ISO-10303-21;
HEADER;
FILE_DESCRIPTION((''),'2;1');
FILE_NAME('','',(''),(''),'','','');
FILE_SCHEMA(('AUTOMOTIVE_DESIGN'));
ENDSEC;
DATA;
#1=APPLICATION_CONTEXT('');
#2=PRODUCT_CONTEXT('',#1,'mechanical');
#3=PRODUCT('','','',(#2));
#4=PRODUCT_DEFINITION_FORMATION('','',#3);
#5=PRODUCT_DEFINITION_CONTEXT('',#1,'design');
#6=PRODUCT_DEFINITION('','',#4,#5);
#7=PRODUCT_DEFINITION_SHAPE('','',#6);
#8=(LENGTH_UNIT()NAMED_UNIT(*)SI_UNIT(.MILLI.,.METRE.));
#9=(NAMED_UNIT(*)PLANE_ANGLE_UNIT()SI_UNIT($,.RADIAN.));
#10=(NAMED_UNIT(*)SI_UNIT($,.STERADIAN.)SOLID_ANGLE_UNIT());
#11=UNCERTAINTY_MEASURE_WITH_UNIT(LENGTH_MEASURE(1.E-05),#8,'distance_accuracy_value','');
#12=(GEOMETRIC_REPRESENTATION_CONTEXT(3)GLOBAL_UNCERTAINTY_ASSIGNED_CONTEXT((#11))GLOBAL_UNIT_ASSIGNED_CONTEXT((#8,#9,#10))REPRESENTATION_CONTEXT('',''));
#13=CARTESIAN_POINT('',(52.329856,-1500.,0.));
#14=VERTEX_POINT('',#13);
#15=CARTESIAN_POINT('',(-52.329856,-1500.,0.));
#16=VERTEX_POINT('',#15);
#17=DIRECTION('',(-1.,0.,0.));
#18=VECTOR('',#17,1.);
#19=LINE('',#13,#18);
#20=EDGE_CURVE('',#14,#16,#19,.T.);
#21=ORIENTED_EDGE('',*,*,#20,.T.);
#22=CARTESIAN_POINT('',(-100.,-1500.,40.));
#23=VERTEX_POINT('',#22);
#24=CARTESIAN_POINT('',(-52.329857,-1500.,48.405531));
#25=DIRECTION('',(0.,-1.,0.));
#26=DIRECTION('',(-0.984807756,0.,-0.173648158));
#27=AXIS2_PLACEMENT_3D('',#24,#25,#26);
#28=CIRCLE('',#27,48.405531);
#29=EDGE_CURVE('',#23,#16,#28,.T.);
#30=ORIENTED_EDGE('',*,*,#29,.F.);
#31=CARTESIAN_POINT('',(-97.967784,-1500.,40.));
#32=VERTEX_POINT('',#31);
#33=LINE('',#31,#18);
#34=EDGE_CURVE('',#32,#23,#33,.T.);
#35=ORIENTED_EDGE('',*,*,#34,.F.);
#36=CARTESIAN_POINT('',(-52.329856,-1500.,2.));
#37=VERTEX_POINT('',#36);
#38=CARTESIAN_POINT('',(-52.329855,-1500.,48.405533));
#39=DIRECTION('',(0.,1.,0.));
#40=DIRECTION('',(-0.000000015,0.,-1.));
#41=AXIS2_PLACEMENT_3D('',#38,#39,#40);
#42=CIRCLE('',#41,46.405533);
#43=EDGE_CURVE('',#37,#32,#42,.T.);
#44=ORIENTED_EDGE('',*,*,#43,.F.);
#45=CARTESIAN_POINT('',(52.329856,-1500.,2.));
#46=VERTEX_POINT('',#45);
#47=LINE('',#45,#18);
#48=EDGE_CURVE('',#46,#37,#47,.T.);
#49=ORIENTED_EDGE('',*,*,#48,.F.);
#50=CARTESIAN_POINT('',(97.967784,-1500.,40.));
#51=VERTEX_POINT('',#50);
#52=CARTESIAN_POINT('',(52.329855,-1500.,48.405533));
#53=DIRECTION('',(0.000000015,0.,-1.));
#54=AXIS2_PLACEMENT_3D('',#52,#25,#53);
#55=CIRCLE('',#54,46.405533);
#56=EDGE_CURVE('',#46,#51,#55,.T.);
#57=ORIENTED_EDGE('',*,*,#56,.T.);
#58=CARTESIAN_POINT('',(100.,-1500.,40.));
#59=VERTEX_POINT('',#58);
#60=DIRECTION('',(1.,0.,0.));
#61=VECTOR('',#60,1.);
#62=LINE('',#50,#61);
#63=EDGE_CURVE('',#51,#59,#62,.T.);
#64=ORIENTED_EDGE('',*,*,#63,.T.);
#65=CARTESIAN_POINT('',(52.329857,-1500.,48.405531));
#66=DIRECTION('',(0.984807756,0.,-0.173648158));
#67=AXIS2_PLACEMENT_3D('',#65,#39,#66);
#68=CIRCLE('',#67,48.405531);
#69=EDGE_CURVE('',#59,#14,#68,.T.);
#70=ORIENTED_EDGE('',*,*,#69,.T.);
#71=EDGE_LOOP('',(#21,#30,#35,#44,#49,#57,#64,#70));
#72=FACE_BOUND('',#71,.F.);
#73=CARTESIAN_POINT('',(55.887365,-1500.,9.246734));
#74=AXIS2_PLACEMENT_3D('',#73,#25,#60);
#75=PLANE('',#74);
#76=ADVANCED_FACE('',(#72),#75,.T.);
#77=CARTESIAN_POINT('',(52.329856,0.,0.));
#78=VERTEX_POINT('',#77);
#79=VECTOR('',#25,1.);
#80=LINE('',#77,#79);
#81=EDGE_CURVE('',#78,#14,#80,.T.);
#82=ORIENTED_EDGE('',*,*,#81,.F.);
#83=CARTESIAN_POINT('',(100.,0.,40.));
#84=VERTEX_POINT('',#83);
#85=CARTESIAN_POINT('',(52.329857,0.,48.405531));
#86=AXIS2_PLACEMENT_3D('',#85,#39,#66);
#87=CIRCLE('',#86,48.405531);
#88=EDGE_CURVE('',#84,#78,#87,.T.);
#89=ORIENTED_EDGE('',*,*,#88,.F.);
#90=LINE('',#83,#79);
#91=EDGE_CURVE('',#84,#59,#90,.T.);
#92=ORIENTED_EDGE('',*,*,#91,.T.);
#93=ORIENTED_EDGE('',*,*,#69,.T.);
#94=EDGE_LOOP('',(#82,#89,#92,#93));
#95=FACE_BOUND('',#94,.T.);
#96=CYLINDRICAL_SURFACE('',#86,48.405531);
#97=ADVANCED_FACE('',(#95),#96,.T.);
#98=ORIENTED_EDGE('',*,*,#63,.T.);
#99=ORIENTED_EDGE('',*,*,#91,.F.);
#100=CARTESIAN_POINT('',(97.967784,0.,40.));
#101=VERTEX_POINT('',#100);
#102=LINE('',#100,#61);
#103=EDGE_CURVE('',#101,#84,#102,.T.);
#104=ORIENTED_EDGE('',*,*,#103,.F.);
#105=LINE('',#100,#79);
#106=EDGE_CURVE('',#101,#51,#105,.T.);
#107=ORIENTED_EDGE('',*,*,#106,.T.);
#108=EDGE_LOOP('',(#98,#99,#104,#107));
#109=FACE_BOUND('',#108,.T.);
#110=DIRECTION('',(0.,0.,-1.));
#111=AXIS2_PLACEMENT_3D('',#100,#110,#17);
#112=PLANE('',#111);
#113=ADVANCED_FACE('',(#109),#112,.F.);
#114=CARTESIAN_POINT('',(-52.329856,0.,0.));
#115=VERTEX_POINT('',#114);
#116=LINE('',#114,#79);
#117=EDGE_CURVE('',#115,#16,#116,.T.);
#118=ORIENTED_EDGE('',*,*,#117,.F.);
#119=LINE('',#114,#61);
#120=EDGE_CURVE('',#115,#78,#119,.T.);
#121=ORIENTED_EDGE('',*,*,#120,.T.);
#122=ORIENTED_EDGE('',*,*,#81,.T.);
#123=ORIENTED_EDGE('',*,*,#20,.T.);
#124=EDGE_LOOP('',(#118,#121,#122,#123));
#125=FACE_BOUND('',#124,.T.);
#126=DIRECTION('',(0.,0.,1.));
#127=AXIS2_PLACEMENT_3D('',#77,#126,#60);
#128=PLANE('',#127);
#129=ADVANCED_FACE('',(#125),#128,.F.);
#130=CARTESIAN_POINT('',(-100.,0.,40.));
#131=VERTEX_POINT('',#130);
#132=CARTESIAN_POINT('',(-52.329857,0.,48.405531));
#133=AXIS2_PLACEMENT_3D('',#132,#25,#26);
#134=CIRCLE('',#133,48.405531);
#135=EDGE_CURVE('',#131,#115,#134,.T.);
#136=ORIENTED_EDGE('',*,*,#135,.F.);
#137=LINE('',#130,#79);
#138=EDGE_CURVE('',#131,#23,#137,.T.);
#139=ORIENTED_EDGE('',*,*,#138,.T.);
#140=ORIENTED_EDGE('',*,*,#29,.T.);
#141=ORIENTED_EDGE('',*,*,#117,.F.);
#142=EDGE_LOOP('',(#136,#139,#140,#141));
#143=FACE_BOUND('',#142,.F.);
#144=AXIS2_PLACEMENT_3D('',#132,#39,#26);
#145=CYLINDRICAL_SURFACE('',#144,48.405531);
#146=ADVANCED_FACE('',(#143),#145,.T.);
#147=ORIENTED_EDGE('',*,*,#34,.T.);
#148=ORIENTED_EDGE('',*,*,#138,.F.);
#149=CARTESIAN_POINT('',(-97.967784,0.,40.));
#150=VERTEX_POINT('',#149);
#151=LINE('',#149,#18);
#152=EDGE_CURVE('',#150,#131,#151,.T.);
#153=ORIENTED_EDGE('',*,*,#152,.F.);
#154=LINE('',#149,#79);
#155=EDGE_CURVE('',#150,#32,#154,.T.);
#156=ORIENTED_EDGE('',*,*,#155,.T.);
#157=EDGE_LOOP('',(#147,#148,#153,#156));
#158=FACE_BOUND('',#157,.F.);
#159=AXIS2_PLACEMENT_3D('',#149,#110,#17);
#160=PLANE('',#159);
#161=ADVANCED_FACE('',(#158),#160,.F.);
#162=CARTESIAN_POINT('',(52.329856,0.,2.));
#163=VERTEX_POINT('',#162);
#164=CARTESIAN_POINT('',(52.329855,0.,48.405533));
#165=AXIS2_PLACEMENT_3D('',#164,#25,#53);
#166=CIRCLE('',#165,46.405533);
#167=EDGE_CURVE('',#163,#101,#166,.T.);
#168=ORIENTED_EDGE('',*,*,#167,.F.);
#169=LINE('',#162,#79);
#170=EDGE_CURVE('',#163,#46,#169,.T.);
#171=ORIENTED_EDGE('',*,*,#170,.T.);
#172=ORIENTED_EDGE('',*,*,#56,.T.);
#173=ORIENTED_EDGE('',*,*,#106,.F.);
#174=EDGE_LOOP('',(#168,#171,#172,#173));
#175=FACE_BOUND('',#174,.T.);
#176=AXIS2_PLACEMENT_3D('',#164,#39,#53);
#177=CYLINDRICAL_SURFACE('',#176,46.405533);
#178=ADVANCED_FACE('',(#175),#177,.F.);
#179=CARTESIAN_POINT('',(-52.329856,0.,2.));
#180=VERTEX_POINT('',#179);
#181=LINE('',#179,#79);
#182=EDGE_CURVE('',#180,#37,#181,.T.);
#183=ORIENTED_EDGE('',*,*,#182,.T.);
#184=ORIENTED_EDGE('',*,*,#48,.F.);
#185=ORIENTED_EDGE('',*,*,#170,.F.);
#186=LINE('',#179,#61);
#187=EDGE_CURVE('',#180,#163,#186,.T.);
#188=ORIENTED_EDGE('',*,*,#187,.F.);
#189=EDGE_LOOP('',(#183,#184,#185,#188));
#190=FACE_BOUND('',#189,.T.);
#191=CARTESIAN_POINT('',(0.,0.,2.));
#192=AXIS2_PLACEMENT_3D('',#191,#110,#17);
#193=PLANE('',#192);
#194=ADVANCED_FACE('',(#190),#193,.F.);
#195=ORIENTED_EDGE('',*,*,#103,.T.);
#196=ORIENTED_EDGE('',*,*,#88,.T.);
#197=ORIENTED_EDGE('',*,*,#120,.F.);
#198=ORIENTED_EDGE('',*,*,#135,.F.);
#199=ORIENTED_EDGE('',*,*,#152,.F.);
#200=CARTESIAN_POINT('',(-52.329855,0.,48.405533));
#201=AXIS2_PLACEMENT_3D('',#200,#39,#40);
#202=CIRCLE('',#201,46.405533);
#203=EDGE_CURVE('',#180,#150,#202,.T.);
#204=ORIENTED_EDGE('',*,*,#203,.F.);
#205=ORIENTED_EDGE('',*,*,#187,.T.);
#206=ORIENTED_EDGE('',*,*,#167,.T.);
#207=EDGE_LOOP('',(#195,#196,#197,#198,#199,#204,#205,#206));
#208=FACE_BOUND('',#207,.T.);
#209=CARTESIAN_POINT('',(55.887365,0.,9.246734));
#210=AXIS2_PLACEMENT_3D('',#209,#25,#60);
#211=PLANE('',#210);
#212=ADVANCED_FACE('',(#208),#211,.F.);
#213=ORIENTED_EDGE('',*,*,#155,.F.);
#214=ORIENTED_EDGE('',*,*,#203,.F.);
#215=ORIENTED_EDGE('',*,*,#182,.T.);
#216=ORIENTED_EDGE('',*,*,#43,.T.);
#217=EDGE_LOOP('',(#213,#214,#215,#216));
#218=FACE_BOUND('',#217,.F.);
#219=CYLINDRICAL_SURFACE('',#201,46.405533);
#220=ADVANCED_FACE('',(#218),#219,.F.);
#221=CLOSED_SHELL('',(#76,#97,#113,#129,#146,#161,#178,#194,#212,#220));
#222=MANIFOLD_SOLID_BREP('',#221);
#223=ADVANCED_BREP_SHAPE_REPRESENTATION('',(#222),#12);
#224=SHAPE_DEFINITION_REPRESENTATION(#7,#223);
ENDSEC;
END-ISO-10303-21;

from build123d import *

# Parameters (mm, degrees)
F1_DEPTH = 1500


with BuildPart() as f1:
    # F0 (on Front) → F1 (new body)
    with BuildSketch(Plane.XZ):
        with BuildLine():
            Line((-52.329856, 0), (0, 0))
            Line((0, 0), (0, 2))
            Line((0, 2), (-52.329856, 2))
            ThreePointArc((-52.329856, 2), (-82.023376, 12.743672), (-97.967784, 40))
            Line((-97.967784, 40), (-100, 40))
            ThreePointArc((-100, 40), (-83.444333, 11.324743), (-52.329856, 0))
        make_face()
    extrude(amount=F1_DEPTH)

    # F2: F1 across plane


with BuildPart() as f1_1:
    add(f1.part)
    add(f1.part.mirror(Plane.YZ))


solid = f1_1.part
